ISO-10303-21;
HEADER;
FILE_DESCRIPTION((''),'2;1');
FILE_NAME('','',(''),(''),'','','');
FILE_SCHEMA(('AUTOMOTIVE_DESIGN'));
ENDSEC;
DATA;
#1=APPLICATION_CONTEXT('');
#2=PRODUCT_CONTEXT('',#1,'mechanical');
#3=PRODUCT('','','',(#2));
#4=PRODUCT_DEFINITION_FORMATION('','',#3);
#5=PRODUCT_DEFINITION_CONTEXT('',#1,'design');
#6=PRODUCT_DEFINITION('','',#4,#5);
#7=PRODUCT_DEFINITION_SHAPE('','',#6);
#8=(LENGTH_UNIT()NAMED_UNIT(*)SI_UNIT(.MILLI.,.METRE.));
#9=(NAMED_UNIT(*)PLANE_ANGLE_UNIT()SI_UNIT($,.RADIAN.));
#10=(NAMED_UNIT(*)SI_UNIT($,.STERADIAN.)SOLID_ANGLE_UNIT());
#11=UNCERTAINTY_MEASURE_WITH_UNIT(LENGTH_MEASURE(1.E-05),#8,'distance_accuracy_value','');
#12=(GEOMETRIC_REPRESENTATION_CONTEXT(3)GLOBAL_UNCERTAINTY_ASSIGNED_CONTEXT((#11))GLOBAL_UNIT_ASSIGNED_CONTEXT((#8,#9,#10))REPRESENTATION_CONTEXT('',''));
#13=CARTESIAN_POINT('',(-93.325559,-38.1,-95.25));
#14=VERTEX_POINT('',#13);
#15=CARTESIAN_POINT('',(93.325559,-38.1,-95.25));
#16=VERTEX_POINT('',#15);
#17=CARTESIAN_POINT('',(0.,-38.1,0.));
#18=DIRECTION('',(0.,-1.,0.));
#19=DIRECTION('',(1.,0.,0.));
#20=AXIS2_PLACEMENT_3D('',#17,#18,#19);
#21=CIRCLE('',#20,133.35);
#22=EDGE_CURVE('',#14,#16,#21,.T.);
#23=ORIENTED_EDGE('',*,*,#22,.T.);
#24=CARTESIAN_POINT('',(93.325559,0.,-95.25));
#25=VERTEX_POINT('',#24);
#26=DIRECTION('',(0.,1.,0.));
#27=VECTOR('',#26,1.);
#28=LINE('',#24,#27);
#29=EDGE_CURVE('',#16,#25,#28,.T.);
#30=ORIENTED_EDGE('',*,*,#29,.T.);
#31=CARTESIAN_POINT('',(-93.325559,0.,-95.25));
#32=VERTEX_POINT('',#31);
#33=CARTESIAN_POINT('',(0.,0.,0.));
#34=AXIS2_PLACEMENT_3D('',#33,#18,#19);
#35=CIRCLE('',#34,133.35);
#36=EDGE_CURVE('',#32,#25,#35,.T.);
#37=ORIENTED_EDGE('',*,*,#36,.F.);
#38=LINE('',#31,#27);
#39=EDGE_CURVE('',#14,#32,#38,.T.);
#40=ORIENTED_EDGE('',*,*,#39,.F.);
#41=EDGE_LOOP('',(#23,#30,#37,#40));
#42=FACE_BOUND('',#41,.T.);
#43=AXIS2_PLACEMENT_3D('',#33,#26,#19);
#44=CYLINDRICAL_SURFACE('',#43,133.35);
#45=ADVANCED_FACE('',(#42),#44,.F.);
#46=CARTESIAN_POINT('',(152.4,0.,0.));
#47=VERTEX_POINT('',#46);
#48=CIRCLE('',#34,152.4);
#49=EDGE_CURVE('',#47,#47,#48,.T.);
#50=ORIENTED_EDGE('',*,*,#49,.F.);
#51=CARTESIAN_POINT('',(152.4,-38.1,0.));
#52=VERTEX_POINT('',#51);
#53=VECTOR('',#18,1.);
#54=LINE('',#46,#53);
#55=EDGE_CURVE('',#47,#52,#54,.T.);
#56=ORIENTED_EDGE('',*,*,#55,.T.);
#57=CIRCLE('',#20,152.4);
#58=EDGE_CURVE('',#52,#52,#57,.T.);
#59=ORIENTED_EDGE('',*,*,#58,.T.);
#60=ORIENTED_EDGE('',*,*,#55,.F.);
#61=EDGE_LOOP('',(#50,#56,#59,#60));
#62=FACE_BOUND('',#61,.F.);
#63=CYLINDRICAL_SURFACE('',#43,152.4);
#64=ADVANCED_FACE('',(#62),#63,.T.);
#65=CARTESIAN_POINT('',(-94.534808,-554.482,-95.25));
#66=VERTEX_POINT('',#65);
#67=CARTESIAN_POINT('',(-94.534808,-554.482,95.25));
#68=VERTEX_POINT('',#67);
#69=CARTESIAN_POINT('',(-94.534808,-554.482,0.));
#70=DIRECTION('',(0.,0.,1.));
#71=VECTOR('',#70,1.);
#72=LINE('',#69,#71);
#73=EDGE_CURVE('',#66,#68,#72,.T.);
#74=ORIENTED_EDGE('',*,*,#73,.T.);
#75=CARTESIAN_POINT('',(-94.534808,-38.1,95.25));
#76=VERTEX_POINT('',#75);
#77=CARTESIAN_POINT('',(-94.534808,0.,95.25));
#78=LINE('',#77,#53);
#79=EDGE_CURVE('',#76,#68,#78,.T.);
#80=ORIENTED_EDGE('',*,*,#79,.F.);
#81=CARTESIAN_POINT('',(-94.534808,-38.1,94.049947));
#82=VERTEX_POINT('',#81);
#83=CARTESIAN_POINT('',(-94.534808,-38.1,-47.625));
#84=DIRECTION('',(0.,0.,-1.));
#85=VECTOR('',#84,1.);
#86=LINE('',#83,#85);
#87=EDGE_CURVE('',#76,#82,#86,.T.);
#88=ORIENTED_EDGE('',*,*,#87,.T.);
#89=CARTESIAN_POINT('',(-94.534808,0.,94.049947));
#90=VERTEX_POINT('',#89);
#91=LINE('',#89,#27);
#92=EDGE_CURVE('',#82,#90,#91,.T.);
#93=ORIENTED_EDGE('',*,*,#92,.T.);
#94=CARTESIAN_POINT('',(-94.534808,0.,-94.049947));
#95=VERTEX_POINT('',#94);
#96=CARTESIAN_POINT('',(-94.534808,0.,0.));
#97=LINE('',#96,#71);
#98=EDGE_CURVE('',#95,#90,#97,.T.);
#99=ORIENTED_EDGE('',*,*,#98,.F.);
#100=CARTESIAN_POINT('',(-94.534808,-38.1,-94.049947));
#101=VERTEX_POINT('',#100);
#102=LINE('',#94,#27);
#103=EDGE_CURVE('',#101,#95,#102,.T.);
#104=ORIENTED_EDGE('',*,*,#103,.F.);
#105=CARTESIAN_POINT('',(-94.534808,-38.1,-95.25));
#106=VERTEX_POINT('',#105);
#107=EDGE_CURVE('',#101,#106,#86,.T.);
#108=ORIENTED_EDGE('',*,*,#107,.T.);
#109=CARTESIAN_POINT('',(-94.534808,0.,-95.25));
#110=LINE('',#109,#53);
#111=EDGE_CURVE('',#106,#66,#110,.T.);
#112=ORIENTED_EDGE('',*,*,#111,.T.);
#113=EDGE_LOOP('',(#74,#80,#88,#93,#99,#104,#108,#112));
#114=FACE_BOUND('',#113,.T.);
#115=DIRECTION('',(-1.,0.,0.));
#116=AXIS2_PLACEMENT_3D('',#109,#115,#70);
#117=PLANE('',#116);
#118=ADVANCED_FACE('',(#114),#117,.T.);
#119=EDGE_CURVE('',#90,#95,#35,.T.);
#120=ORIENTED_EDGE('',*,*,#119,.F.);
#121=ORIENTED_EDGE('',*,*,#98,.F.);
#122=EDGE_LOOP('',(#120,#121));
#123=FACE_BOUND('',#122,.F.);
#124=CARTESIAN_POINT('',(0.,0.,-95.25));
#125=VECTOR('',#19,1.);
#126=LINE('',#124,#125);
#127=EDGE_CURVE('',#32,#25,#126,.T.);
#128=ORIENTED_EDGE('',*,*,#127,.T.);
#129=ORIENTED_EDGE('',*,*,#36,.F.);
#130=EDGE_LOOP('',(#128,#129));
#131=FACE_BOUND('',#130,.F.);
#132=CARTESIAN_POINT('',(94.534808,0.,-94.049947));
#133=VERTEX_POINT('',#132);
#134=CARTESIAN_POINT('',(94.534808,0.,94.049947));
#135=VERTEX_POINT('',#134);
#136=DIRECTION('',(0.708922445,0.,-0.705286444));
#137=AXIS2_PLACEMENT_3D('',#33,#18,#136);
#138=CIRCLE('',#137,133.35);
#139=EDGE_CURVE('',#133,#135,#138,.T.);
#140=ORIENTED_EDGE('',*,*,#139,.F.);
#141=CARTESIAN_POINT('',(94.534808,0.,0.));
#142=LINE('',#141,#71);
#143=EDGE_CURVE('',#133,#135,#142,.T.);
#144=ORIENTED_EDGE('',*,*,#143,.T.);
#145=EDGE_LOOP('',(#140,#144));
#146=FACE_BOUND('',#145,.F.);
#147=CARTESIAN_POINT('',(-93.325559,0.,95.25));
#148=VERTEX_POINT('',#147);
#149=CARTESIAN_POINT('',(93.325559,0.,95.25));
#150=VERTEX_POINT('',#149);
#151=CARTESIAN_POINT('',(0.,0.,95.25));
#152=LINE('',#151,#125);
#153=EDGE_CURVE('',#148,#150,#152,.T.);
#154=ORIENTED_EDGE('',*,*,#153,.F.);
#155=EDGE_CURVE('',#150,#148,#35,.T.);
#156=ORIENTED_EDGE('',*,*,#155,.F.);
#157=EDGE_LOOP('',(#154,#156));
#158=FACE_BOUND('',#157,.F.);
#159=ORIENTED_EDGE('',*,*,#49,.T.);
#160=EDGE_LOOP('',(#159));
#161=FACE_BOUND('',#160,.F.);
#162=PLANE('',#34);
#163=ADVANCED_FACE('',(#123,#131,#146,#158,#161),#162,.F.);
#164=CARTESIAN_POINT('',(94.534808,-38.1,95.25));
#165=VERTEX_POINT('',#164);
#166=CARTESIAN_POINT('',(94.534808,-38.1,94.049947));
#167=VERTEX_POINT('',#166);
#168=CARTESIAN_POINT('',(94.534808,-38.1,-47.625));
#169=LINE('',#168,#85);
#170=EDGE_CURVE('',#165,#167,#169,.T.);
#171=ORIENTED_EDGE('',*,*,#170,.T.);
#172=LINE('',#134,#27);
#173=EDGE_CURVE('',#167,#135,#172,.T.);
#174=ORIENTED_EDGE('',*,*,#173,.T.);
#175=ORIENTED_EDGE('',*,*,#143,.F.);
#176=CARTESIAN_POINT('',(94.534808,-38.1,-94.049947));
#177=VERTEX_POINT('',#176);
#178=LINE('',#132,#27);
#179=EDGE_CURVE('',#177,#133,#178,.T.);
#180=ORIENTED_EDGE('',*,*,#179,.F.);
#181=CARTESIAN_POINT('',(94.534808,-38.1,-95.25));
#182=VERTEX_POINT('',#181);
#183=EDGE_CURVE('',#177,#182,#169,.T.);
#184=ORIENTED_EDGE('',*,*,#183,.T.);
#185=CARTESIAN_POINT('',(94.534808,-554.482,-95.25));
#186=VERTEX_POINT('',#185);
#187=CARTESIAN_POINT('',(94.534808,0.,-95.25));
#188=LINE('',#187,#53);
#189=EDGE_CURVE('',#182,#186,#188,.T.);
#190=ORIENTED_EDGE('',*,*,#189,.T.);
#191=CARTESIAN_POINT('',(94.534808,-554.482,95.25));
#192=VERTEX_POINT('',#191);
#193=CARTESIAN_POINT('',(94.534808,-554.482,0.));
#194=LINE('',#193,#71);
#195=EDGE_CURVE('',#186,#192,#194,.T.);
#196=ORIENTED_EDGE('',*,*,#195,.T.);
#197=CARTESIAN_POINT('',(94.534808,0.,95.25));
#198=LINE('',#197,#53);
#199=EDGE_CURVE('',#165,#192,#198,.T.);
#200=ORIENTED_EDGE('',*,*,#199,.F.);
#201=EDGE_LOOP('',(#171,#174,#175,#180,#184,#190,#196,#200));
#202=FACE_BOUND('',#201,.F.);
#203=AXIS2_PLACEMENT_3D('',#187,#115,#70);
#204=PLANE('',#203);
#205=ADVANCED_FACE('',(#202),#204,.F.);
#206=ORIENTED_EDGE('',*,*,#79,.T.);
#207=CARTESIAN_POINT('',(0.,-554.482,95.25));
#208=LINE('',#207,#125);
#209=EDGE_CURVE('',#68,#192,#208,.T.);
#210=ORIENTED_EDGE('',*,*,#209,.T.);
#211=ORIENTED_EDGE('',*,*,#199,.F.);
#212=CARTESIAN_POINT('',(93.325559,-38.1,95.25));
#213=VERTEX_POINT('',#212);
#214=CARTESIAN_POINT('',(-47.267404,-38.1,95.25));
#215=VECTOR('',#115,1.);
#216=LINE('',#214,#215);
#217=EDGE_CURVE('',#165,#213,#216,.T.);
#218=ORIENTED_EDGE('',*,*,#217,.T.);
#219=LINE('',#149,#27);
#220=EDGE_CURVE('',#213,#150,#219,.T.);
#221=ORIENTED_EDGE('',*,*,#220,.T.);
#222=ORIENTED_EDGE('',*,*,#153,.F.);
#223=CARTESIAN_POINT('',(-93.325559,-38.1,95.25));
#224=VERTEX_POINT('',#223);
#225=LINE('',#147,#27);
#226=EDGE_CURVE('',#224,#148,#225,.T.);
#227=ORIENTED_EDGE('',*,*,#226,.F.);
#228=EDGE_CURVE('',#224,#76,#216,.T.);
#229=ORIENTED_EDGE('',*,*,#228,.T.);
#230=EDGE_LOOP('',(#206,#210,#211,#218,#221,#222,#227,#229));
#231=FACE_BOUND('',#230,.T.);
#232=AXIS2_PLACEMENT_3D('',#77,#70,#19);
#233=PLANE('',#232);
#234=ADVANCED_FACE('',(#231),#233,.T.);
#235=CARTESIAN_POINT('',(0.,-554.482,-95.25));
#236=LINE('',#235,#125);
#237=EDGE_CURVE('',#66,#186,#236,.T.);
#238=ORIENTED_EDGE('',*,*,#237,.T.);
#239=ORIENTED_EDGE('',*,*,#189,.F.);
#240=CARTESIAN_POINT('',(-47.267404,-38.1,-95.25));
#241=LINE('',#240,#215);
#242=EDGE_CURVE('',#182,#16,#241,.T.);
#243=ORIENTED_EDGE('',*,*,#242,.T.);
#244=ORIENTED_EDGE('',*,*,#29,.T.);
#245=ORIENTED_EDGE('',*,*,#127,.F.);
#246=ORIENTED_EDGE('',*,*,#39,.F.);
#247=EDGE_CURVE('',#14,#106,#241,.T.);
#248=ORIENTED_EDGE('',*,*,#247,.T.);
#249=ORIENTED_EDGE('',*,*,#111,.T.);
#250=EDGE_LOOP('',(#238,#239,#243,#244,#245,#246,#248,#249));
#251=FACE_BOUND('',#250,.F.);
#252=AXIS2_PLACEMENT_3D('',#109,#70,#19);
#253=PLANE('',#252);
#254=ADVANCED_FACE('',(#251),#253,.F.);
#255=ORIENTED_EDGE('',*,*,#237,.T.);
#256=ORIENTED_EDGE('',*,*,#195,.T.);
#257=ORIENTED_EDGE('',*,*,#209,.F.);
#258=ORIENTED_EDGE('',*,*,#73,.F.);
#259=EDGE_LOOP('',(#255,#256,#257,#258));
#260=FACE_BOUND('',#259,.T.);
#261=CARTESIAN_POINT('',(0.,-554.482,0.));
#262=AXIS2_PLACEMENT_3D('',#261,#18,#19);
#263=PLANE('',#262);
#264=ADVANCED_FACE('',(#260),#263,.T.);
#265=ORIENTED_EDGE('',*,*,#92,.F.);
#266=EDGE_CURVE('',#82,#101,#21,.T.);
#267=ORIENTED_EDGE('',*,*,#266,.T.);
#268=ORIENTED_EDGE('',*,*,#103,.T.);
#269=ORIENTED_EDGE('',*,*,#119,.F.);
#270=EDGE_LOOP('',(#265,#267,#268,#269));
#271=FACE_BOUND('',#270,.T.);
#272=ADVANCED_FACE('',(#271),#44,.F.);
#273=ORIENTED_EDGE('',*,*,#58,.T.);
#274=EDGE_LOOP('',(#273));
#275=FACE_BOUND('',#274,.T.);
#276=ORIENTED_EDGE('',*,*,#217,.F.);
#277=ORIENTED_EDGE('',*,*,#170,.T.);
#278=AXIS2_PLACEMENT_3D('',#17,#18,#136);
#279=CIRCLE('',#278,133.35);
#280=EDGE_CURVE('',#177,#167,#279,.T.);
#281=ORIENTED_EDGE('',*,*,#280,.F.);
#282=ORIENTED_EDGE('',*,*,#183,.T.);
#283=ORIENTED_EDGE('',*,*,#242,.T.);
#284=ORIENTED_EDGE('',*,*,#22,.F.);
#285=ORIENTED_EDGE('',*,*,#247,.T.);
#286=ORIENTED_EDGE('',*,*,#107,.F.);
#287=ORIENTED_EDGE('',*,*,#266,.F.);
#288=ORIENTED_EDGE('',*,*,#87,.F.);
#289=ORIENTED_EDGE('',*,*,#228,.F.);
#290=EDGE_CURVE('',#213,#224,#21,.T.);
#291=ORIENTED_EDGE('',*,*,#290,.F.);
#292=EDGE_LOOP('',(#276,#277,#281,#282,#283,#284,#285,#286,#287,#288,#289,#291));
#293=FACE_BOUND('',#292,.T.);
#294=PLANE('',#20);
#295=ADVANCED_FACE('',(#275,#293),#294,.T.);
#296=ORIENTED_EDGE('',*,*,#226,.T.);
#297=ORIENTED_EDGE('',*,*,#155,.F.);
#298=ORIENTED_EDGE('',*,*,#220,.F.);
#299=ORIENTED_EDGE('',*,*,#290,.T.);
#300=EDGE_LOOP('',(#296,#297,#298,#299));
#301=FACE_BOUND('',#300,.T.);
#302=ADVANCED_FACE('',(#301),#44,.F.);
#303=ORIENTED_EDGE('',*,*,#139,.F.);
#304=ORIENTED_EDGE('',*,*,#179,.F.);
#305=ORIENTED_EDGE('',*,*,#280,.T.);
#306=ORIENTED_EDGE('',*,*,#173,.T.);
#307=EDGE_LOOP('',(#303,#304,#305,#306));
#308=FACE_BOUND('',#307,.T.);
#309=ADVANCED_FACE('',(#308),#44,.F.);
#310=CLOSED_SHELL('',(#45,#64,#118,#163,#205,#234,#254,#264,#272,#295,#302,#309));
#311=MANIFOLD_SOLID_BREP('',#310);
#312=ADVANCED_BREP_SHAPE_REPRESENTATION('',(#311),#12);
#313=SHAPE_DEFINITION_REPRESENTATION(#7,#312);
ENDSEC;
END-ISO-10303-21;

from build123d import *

# Parameters (mm, degrees)
F0_R     = 152.4
F0_R_2   = 133.35
F1_DEPTH = 38.1
F2_W     = 189.069616
F2_H     = 190.5
F3_DEPTH = 554.482


with BuildPart() as f1:
    # F0 (on Front) → F1 (new body)
    with BuildSketch(Plane.XZ):
        Circle(F0_R)
        Circle(F0_R_2, mode=Mode.SUBTRACT)
    extrude(amount=F1_DEPTH)

    # F2 (on Front) → F3 (join)
    with BuildSketch(Plane.XZ):
        Rectangle(F2_W, F2_H)
    extrude(amount=F3_DEPTH)


solid = f1.part
